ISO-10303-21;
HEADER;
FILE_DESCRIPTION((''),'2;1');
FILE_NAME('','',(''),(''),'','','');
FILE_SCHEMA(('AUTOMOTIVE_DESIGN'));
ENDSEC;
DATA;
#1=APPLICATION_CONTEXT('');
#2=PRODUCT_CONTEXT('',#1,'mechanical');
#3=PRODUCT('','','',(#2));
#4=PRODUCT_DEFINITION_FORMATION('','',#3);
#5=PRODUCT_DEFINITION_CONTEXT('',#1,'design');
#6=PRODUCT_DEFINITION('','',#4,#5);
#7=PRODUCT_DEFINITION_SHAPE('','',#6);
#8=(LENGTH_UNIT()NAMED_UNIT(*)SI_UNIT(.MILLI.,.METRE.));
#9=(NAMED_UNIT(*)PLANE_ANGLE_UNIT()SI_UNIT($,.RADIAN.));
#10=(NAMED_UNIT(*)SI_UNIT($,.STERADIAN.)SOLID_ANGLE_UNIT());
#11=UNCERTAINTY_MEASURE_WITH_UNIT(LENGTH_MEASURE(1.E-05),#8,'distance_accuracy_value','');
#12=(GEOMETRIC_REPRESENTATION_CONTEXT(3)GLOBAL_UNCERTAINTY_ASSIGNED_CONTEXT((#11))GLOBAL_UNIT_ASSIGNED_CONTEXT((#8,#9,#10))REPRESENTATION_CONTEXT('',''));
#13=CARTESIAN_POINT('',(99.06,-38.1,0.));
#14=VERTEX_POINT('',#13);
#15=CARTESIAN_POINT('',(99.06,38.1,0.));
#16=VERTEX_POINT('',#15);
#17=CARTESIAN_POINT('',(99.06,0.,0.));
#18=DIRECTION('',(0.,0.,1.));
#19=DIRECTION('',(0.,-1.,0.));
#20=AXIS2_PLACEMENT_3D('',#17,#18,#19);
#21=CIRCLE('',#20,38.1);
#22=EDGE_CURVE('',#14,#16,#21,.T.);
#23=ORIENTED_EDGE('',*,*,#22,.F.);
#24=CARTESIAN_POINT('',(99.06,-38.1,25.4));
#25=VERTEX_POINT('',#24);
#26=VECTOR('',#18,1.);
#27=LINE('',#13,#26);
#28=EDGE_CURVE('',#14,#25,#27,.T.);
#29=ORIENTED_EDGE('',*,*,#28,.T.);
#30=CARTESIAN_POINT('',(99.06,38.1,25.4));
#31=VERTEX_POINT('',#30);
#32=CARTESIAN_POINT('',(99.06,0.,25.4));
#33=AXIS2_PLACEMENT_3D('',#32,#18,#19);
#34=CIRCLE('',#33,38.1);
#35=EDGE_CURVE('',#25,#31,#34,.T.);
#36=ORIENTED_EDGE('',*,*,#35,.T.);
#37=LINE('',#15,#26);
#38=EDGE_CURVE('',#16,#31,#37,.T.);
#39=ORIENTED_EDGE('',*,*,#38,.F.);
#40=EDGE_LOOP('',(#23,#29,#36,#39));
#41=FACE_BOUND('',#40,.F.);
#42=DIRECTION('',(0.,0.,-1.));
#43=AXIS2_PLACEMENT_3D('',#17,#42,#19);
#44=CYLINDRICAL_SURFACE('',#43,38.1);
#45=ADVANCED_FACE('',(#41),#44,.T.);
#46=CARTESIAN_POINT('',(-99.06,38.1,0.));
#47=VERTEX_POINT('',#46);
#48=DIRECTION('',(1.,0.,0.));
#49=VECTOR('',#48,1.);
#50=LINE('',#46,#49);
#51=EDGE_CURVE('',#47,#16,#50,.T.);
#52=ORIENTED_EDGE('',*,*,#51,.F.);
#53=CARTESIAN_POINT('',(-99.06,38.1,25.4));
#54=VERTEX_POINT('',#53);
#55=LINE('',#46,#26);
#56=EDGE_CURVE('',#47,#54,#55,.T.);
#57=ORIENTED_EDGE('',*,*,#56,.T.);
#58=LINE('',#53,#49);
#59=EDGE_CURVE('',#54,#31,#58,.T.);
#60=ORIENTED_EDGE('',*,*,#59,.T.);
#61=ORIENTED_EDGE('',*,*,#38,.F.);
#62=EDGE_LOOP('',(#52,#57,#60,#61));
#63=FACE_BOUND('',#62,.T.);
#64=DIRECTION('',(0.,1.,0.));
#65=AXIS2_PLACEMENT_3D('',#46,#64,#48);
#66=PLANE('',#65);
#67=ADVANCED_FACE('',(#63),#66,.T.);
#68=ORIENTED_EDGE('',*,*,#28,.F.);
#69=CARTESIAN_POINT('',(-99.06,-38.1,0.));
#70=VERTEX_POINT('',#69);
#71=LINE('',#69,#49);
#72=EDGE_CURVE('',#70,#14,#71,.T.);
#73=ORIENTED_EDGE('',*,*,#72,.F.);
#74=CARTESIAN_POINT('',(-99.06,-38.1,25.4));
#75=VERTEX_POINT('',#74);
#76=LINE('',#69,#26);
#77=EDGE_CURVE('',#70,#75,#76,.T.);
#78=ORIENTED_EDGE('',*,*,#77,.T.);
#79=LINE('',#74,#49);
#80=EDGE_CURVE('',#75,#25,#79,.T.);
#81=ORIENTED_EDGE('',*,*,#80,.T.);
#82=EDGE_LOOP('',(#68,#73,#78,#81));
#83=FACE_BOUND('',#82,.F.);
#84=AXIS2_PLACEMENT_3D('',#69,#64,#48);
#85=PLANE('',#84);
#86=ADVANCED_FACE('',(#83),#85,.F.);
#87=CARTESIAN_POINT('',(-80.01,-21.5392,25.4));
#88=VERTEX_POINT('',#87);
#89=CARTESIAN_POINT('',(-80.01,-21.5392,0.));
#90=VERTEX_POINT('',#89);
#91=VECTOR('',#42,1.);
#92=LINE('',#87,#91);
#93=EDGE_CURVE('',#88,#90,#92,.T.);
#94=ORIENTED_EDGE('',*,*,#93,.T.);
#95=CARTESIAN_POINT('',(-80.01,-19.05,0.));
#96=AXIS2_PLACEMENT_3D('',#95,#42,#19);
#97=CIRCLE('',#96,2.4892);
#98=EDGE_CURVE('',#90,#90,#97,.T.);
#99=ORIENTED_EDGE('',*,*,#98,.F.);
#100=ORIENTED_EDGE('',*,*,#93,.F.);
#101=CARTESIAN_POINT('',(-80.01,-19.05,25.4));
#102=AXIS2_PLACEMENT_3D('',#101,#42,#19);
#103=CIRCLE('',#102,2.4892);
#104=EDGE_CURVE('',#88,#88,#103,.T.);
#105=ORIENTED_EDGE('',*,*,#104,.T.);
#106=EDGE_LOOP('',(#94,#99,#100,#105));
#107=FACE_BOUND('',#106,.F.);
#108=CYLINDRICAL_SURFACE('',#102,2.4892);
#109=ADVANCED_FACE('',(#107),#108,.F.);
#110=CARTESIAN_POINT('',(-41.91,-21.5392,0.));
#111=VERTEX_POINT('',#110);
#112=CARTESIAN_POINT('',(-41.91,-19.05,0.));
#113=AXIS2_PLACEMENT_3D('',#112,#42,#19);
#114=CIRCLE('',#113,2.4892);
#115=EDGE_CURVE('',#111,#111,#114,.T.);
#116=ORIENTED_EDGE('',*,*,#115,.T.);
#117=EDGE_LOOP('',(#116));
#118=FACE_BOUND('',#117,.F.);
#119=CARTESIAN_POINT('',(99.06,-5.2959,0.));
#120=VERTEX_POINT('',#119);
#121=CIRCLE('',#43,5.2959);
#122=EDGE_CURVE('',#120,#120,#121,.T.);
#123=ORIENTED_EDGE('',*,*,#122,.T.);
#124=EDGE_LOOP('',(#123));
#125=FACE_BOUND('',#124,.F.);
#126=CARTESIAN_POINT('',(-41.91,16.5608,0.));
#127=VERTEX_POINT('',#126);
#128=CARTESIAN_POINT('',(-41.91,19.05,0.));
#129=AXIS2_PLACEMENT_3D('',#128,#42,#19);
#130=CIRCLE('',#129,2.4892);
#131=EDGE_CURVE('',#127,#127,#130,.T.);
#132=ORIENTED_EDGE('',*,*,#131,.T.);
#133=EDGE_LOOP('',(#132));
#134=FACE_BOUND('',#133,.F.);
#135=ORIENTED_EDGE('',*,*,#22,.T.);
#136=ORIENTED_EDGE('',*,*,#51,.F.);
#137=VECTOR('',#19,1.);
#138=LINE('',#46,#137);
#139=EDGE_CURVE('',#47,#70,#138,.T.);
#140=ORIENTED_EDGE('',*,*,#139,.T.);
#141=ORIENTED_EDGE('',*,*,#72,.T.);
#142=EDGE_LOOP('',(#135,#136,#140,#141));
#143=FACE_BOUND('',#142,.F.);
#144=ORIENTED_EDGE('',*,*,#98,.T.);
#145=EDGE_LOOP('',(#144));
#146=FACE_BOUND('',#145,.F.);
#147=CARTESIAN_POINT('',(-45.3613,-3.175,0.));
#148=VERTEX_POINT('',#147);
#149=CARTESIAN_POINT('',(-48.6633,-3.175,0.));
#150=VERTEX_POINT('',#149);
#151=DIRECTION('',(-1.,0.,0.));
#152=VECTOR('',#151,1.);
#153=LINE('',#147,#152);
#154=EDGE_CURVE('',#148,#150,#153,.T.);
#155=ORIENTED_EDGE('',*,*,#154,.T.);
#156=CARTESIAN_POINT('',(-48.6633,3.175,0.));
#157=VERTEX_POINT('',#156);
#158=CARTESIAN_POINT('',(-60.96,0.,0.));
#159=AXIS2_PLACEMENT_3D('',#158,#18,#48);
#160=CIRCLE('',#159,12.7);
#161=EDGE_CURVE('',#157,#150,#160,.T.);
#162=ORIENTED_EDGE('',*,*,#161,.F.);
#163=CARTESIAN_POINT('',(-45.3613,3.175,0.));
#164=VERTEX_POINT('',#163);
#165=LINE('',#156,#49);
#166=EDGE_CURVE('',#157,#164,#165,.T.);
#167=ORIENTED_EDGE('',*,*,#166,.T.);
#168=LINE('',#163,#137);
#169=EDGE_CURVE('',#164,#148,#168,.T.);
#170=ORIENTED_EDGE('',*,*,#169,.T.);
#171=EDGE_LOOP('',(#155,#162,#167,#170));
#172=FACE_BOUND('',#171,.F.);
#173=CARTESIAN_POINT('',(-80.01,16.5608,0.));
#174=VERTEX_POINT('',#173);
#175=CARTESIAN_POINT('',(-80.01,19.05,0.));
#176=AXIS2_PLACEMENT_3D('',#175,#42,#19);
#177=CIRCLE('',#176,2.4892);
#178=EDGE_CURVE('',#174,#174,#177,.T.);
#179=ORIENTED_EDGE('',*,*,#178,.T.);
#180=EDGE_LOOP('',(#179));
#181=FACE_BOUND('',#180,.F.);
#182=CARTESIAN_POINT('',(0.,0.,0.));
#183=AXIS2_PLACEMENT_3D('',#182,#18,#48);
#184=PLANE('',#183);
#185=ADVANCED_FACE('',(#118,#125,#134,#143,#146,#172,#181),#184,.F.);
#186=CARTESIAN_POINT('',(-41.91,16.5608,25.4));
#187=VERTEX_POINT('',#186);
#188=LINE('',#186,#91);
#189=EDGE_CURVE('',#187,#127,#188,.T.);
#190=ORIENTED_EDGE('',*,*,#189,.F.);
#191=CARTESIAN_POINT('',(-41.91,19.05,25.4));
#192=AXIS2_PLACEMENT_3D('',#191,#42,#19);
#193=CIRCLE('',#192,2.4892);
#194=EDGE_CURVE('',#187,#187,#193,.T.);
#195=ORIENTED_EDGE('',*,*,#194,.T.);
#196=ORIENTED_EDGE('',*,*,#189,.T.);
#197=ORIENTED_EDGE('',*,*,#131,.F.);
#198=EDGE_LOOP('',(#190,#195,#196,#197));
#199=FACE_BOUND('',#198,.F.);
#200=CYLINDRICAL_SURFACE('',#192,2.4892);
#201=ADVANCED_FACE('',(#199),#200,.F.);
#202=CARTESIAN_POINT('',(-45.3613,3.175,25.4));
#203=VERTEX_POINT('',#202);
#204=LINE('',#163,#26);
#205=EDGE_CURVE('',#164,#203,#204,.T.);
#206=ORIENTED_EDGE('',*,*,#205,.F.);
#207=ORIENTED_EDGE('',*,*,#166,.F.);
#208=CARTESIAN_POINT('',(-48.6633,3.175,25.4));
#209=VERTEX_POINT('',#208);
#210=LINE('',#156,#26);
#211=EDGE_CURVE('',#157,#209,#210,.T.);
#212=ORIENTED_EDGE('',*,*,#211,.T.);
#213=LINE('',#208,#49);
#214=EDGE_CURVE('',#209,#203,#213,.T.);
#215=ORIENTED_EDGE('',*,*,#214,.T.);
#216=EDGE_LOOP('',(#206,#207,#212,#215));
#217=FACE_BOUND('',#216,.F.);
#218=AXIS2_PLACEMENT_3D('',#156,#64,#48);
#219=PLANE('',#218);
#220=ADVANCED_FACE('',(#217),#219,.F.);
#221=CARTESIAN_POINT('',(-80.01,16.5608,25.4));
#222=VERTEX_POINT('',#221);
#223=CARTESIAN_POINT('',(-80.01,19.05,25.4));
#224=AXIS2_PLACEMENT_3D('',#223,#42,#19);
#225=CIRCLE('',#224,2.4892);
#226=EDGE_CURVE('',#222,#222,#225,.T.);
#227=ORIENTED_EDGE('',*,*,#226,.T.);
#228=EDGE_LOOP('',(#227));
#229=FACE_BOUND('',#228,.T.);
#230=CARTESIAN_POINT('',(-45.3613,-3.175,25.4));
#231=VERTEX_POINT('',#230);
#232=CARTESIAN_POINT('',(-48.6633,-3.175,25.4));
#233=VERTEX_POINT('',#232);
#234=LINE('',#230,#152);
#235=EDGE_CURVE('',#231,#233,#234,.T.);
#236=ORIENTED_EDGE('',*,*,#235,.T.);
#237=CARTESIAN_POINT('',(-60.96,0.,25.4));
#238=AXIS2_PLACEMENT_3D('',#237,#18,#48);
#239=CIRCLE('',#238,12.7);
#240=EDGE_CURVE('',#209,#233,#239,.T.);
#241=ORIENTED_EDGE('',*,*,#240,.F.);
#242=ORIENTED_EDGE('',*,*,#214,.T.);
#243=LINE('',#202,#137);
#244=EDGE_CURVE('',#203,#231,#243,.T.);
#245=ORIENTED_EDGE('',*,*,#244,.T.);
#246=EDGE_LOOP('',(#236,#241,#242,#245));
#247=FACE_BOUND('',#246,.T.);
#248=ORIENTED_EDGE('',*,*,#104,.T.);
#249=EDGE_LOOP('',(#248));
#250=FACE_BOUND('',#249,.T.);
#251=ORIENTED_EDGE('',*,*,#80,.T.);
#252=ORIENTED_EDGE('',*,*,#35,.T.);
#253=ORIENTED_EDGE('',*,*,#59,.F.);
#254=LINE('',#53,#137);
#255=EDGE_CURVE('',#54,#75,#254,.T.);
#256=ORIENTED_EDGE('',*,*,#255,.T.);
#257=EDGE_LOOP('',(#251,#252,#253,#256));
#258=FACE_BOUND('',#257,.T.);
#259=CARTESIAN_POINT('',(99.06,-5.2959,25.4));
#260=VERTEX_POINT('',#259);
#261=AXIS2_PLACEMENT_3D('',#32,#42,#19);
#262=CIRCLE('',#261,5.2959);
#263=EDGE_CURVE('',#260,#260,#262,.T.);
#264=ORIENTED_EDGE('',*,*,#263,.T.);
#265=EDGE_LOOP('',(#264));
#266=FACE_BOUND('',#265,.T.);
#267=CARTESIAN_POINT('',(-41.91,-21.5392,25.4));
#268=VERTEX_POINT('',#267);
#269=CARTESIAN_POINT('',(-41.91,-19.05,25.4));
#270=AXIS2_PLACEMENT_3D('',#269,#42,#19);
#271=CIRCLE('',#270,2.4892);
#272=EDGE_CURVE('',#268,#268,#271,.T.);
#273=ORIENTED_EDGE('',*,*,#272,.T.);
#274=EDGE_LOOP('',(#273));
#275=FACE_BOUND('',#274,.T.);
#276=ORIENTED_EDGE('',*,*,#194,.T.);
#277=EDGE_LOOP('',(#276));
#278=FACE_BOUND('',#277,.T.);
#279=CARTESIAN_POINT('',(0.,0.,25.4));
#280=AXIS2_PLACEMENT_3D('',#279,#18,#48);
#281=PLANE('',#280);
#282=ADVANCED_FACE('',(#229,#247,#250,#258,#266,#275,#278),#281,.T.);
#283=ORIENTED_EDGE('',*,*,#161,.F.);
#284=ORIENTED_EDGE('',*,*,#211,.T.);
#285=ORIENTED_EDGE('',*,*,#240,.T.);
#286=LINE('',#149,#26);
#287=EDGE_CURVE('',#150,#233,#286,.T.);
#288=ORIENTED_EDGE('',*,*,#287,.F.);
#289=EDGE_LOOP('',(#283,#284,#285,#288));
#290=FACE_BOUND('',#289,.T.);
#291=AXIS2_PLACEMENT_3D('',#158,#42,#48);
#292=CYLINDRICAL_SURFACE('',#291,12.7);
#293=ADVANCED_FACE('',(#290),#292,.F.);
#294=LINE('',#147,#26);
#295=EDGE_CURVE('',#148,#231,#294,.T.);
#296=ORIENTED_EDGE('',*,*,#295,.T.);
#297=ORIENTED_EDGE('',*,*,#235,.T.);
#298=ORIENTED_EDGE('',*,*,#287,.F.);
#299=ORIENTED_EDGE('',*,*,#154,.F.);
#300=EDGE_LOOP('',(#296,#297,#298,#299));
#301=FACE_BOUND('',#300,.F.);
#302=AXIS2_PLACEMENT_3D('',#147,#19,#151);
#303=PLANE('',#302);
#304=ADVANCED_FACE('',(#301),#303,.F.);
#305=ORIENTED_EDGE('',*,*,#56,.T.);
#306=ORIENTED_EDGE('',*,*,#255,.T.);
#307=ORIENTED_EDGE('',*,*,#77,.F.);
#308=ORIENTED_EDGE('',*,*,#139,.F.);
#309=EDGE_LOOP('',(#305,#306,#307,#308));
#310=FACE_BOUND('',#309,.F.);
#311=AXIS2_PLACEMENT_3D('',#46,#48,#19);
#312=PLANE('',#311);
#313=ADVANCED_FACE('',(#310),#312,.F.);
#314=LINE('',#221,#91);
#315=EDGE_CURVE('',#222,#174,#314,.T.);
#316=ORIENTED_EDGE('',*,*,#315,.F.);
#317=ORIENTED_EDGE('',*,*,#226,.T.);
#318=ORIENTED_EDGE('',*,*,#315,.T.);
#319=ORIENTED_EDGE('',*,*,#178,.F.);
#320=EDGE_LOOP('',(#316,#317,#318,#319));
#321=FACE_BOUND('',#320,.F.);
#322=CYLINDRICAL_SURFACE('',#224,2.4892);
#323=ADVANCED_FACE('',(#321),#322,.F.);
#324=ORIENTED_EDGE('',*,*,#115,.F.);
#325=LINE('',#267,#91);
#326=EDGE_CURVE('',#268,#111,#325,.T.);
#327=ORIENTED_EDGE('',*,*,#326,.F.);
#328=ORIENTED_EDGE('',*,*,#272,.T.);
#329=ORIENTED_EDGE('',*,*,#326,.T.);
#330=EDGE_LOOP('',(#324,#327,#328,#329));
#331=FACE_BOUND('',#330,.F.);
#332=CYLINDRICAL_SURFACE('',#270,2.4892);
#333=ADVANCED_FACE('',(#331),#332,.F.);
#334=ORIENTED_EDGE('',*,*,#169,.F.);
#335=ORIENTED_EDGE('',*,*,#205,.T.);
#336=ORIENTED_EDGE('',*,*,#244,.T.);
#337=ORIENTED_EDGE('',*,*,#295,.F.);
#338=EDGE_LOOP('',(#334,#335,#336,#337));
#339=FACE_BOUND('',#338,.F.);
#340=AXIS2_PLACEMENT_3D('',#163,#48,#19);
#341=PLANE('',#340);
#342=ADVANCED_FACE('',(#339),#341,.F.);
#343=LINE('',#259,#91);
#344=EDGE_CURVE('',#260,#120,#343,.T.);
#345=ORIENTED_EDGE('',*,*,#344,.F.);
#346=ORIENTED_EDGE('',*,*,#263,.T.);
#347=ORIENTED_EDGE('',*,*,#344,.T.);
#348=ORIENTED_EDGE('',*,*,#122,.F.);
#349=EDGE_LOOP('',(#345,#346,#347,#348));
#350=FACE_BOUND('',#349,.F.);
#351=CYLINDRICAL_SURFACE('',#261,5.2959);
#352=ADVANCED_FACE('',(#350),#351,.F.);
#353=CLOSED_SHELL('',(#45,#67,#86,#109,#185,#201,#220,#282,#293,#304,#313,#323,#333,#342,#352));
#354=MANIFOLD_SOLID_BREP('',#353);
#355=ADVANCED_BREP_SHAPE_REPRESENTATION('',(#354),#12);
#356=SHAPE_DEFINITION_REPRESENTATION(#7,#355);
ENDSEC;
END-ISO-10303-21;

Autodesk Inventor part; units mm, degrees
ref_plane "YZ Plane" through (0, 0, 0) normal (1, 0, 0) x (0, 1, 0)
ref_plane "XZ Plane" through (0, 0, 0) normal (0, 1, 0) x (-1, 0, 0)
ref_plane "XY Plane" through (0, 0, 0) normal (0, 0, 1) x (1, 0, 0)
sketch "Sketch1" plane through (0, 0, 0) normal (0, 0, 1) x (1, 0, 0)
  line L0 (-99.06, 38.1) -> (-99.06, -38.1)
  circle A0 centre (-60.96, 0) radius 12.7
  circle A1 centre (99.06, 0) radius 1.27
  line L1 (-99.06, 38.1) -> (99.06, 38.1)
  line L2 (-99.06, -38.1) -> (99.06, -38.1)
  arc A2 (99.06, -38.1) -> (99.06, 38.1) centre (99.06, 0) ccw
  line L3 (-48.6633, 3.175) -> (-45.3613, 3.175)
  line L4 (-45.3613, 3.175) -> (-45.3613, -3.175)
  line L5 (-45.3613, -3.175) -> (-48.6633, -3.175)
  point P0 (0, 0)
  point P1 (-99.06, 0)
  point P2 (106.7321, -3.216)
  point P3 (113.0654, -3.216)
  point P4 (-45.3613, 0)
  point P5 (0, -38.1)
  dimension "d0" = 76.2
  dimension "d4" = 25.4
  dimension "d13" = 2.54
  dimension "d14" = 6.35
  dimension "d15" = 160.02
  dimension "d16" = 3.302
  dimension "d17" = 38.1
extrude "Extrusion2" add sketch "Sketch1" along normal blind 25.4
sketch "Sketch2" plane through (0, 0, 25.4) normal (0, 0, 1) x (1, 0, 0)
  arc A0 (-48.6633, 3.175) -> (-48.6633, -3.175) centre (-60.96, 0) ccw projected
  point P0 (0, 0)
  point P1 (-80.01, 19.05)
  point P2 (-41.91, 19.05)
  point P3 (-41.91, -19.05)
  point P4 (-80.01, -19.05)
  dimension "d20" = 38.1
  dimension "d21" = 38.1
  dimension "d22" = 19.05
  dimension "d23" = 19.05
hole "Hole1" at (-80.01, 19.05, 25.4) at (-41.91, 19.05, 25.4) at (-41.91, -19.05, 25.4) at (-80.01, -19.05, 25.4) direction (0, 0, -1) diameter 4.9784 depth 25.4 tip angle 118 thread size "1/4-20 UNC" class "2B" standard "ANSI Unified Screw Threads"
sketch "Sketch4" plane through (0, 0, 25.4) normal (0, 0, 1) x (1, 0, 0)
  circle A0 centre (99.06, 0) radius 1.27 projected
  point P0 (0, 0)
hole "Hole3" at (99.06, 0, 25.4) direction (0, 0, -1) diameter 10.5918 end through all thread size "1/2-13 UNC" class "2B" standard "ANSI Unified Screw Threads"
properties part number "Motor_Arm"
